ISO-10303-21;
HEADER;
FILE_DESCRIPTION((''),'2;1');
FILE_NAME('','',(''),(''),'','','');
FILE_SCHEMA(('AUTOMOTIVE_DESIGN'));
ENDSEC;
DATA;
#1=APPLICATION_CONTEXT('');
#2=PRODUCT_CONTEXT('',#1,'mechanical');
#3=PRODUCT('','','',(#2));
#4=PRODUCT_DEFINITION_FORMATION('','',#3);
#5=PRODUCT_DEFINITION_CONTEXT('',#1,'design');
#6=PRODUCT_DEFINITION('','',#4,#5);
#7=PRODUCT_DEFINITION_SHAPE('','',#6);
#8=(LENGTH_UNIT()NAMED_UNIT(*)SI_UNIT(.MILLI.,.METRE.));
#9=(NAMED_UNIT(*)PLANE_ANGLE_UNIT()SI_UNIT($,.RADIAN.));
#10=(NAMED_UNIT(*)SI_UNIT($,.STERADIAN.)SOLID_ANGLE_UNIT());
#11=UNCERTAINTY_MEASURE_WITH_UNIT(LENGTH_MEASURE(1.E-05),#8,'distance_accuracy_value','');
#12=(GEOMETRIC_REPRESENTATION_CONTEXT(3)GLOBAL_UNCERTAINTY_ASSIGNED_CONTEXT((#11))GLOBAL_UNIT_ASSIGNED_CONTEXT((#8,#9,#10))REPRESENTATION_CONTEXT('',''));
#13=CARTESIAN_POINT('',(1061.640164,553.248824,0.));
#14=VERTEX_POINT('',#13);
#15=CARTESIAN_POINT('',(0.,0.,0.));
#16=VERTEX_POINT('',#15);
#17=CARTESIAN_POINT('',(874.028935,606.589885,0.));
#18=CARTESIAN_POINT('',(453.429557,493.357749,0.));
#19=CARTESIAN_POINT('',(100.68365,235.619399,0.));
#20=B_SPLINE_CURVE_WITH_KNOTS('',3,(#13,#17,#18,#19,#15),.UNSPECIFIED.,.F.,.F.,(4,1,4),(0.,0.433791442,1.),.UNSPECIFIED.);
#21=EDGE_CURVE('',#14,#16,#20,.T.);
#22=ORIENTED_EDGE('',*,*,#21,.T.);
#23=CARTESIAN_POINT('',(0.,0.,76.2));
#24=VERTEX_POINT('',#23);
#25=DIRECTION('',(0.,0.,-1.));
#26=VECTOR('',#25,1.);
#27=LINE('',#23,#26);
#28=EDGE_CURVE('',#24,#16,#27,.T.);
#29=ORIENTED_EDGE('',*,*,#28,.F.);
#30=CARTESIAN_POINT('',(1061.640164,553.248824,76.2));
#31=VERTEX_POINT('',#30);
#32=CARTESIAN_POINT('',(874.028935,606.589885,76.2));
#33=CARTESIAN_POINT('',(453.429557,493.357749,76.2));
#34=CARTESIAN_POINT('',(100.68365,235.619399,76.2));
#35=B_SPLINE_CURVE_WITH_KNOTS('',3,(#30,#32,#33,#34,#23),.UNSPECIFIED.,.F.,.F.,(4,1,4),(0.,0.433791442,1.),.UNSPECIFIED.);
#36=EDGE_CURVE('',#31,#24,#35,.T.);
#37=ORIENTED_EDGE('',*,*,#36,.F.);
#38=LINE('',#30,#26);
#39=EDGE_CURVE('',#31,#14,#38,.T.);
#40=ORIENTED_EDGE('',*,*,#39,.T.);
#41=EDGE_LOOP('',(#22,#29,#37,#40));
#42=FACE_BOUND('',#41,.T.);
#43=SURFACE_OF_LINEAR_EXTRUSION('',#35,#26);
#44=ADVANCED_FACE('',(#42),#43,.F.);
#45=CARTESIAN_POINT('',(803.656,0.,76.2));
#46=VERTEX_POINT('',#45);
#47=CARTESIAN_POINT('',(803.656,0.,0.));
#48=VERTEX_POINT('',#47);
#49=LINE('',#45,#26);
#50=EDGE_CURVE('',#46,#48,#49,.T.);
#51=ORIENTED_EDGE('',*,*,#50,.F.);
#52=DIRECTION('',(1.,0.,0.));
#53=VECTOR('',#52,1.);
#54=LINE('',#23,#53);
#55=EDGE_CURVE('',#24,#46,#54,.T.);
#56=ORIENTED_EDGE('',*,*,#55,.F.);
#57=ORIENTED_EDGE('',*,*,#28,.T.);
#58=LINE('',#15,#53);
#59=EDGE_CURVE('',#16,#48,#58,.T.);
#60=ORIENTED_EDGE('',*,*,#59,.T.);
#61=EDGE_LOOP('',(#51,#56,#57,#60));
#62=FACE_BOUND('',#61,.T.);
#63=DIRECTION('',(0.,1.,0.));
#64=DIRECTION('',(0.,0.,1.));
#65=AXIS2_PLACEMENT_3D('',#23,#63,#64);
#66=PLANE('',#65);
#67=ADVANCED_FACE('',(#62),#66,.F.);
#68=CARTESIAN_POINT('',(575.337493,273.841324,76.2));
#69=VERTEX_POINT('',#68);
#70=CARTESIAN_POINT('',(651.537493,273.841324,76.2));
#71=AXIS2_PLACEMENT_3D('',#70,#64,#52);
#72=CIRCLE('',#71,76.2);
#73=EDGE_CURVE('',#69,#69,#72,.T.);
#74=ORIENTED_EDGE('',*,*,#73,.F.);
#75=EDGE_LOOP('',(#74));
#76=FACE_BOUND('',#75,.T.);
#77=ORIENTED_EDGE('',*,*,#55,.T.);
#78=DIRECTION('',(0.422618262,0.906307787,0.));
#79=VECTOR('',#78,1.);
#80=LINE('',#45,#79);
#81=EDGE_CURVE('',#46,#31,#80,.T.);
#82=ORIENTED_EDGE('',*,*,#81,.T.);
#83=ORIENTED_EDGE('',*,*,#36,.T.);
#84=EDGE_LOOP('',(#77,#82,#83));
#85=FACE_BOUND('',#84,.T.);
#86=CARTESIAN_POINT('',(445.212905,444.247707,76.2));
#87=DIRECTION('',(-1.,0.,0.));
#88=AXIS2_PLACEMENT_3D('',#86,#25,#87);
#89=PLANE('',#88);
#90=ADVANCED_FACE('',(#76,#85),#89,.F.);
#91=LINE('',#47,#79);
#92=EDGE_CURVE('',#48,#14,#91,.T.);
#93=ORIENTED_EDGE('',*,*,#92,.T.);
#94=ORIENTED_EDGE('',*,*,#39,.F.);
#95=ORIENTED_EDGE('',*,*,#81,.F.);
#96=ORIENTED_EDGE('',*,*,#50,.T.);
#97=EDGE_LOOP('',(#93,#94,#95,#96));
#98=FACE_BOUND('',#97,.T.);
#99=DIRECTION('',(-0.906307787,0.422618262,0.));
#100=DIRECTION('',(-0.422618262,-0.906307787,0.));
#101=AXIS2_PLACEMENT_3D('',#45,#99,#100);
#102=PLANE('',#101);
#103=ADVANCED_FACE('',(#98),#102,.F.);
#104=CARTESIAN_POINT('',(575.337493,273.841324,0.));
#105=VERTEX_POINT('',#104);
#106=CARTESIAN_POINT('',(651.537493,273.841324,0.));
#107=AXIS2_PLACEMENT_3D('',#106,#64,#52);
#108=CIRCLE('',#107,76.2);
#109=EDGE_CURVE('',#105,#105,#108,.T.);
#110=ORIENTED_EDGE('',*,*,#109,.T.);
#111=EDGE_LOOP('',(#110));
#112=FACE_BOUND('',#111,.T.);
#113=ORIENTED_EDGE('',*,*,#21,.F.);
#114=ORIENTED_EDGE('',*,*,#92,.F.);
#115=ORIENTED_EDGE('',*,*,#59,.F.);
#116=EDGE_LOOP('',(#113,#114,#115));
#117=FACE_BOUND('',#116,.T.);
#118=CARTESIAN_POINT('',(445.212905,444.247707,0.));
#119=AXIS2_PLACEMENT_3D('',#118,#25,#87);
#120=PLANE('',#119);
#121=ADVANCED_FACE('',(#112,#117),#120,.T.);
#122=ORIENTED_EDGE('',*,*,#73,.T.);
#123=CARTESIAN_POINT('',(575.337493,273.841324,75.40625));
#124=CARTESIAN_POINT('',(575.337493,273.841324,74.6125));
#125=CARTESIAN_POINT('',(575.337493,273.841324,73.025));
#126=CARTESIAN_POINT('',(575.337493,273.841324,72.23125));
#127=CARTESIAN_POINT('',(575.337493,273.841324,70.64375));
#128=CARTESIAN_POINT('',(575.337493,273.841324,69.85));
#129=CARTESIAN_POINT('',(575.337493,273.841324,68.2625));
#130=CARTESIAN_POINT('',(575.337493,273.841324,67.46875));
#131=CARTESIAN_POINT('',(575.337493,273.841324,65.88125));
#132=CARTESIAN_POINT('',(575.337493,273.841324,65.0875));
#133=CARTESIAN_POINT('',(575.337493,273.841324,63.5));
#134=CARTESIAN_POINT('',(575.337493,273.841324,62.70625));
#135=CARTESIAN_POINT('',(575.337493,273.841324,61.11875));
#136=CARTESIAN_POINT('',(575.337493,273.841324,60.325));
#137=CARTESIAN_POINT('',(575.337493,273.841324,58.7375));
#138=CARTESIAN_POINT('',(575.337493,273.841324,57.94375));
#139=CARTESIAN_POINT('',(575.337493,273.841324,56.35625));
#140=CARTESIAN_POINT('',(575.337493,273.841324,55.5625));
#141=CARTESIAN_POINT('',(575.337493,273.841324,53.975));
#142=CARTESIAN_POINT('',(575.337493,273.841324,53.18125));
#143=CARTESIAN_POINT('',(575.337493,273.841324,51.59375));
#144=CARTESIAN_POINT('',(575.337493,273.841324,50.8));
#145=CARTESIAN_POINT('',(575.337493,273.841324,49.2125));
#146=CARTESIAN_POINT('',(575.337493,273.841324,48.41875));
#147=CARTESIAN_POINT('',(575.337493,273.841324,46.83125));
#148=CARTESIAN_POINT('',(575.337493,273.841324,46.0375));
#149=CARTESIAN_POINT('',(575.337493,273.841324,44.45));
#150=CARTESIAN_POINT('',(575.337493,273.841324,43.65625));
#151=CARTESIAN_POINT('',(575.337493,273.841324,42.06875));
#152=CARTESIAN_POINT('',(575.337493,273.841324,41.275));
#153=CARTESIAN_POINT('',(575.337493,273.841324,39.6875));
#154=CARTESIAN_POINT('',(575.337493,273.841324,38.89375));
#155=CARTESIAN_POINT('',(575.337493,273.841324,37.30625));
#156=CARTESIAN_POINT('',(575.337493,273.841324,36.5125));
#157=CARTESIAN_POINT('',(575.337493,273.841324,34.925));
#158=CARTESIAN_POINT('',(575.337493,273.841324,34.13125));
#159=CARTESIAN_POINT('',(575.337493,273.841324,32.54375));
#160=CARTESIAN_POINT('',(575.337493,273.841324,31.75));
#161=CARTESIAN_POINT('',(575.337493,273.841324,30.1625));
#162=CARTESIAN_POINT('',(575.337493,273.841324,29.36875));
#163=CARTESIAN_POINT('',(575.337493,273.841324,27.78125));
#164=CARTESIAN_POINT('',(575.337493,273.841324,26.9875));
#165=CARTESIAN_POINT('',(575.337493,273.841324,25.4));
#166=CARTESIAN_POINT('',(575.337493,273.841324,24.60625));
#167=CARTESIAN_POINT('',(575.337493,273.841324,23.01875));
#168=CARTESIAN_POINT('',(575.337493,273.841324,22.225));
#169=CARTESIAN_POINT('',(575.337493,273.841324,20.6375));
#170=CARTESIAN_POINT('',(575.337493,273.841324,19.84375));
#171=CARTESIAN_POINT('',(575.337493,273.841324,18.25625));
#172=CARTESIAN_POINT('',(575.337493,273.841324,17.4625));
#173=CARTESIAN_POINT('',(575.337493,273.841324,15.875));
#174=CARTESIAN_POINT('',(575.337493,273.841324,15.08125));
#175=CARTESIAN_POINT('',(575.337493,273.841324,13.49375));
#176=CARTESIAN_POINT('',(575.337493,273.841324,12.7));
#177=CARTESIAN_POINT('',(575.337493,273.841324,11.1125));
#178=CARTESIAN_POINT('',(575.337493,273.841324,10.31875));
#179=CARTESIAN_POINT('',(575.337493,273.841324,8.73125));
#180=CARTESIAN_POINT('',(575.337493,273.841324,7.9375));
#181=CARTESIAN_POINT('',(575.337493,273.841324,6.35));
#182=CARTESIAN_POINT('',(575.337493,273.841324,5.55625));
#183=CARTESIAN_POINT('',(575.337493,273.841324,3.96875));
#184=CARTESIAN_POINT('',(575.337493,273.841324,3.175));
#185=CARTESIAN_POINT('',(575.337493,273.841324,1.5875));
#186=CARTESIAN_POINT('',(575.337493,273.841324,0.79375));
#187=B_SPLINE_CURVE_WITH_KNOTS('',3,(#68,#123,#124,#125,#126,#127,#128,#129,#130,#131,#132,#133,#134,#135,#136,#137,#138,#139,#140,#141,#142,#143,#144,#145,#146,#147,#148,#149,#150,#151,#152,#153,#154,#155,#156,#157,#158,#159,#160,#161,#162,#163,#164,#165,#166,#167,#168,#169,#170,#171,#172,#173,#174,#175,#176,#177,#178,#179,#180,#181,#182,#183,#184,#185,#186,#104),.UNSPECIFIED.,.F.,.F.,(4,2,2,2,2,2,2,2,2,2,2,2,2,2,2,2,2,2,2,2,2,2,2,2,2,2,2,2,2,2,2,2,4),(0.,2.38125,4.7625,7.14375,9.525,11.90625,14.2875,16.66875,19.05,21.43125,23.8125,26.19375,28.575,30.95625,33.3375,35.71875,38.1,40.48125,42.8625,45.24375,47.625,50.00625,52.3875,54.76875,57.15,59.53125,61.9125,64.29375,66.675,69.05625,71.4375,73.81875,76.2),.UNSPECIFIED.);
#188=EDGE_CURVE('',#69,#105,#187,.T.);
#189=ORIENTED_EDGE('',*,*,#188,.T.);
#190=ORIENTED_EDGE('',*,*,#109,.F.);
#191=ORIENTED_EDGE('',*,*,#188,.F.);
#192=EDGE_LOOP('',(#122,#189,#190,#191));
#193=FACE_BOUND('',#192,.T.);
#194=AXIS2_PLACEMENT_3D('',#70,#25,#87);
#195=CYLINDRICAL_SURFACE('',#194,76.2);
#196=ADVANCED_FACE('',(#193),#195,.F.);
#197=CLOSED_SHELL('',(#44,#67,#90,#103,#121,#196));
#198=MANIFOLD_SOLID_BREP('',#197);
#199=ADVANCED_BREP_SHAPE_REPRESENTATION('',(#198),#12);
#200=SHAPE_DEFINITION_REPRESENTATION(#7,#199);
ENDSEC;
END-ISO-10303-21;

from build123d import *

# Parameters (mm, degrees)
SKETCH1_R           = 76.2
BOSS_EXTRUDE1_DEPTH = 76.2


with BuildPart() as part:
    # Sketch1 → Boss-Extrude1 (new body)
    with BuildSketch(Plane.XY):
        with BuildLine():
            Line((0, 0), (803.656, 0))
            Line((803.656, 0), (1061.640163704, 553.248824446))
            add(Edge.make_bspline(
                [(1061.640163704, 553.248824446), (874.028934524, 606.589884551), (453.429557149, 493.357749055), (100.683650407, 235.619399083), (0, 0)],
                knots=[0, 0, 0, 0, 0.433791442, 1, 1, 1, 1], degree=3))
        make_face()
        with Locations(Location((651.537493426, 273.841324369, 0), (0, 0, 180))):
            Circle(SKETCH1_R, mode=Mode.SUBTRACT)
    extrude(amount=BOSS_EXTRUDE1_DEPTH)


solid = part.part
